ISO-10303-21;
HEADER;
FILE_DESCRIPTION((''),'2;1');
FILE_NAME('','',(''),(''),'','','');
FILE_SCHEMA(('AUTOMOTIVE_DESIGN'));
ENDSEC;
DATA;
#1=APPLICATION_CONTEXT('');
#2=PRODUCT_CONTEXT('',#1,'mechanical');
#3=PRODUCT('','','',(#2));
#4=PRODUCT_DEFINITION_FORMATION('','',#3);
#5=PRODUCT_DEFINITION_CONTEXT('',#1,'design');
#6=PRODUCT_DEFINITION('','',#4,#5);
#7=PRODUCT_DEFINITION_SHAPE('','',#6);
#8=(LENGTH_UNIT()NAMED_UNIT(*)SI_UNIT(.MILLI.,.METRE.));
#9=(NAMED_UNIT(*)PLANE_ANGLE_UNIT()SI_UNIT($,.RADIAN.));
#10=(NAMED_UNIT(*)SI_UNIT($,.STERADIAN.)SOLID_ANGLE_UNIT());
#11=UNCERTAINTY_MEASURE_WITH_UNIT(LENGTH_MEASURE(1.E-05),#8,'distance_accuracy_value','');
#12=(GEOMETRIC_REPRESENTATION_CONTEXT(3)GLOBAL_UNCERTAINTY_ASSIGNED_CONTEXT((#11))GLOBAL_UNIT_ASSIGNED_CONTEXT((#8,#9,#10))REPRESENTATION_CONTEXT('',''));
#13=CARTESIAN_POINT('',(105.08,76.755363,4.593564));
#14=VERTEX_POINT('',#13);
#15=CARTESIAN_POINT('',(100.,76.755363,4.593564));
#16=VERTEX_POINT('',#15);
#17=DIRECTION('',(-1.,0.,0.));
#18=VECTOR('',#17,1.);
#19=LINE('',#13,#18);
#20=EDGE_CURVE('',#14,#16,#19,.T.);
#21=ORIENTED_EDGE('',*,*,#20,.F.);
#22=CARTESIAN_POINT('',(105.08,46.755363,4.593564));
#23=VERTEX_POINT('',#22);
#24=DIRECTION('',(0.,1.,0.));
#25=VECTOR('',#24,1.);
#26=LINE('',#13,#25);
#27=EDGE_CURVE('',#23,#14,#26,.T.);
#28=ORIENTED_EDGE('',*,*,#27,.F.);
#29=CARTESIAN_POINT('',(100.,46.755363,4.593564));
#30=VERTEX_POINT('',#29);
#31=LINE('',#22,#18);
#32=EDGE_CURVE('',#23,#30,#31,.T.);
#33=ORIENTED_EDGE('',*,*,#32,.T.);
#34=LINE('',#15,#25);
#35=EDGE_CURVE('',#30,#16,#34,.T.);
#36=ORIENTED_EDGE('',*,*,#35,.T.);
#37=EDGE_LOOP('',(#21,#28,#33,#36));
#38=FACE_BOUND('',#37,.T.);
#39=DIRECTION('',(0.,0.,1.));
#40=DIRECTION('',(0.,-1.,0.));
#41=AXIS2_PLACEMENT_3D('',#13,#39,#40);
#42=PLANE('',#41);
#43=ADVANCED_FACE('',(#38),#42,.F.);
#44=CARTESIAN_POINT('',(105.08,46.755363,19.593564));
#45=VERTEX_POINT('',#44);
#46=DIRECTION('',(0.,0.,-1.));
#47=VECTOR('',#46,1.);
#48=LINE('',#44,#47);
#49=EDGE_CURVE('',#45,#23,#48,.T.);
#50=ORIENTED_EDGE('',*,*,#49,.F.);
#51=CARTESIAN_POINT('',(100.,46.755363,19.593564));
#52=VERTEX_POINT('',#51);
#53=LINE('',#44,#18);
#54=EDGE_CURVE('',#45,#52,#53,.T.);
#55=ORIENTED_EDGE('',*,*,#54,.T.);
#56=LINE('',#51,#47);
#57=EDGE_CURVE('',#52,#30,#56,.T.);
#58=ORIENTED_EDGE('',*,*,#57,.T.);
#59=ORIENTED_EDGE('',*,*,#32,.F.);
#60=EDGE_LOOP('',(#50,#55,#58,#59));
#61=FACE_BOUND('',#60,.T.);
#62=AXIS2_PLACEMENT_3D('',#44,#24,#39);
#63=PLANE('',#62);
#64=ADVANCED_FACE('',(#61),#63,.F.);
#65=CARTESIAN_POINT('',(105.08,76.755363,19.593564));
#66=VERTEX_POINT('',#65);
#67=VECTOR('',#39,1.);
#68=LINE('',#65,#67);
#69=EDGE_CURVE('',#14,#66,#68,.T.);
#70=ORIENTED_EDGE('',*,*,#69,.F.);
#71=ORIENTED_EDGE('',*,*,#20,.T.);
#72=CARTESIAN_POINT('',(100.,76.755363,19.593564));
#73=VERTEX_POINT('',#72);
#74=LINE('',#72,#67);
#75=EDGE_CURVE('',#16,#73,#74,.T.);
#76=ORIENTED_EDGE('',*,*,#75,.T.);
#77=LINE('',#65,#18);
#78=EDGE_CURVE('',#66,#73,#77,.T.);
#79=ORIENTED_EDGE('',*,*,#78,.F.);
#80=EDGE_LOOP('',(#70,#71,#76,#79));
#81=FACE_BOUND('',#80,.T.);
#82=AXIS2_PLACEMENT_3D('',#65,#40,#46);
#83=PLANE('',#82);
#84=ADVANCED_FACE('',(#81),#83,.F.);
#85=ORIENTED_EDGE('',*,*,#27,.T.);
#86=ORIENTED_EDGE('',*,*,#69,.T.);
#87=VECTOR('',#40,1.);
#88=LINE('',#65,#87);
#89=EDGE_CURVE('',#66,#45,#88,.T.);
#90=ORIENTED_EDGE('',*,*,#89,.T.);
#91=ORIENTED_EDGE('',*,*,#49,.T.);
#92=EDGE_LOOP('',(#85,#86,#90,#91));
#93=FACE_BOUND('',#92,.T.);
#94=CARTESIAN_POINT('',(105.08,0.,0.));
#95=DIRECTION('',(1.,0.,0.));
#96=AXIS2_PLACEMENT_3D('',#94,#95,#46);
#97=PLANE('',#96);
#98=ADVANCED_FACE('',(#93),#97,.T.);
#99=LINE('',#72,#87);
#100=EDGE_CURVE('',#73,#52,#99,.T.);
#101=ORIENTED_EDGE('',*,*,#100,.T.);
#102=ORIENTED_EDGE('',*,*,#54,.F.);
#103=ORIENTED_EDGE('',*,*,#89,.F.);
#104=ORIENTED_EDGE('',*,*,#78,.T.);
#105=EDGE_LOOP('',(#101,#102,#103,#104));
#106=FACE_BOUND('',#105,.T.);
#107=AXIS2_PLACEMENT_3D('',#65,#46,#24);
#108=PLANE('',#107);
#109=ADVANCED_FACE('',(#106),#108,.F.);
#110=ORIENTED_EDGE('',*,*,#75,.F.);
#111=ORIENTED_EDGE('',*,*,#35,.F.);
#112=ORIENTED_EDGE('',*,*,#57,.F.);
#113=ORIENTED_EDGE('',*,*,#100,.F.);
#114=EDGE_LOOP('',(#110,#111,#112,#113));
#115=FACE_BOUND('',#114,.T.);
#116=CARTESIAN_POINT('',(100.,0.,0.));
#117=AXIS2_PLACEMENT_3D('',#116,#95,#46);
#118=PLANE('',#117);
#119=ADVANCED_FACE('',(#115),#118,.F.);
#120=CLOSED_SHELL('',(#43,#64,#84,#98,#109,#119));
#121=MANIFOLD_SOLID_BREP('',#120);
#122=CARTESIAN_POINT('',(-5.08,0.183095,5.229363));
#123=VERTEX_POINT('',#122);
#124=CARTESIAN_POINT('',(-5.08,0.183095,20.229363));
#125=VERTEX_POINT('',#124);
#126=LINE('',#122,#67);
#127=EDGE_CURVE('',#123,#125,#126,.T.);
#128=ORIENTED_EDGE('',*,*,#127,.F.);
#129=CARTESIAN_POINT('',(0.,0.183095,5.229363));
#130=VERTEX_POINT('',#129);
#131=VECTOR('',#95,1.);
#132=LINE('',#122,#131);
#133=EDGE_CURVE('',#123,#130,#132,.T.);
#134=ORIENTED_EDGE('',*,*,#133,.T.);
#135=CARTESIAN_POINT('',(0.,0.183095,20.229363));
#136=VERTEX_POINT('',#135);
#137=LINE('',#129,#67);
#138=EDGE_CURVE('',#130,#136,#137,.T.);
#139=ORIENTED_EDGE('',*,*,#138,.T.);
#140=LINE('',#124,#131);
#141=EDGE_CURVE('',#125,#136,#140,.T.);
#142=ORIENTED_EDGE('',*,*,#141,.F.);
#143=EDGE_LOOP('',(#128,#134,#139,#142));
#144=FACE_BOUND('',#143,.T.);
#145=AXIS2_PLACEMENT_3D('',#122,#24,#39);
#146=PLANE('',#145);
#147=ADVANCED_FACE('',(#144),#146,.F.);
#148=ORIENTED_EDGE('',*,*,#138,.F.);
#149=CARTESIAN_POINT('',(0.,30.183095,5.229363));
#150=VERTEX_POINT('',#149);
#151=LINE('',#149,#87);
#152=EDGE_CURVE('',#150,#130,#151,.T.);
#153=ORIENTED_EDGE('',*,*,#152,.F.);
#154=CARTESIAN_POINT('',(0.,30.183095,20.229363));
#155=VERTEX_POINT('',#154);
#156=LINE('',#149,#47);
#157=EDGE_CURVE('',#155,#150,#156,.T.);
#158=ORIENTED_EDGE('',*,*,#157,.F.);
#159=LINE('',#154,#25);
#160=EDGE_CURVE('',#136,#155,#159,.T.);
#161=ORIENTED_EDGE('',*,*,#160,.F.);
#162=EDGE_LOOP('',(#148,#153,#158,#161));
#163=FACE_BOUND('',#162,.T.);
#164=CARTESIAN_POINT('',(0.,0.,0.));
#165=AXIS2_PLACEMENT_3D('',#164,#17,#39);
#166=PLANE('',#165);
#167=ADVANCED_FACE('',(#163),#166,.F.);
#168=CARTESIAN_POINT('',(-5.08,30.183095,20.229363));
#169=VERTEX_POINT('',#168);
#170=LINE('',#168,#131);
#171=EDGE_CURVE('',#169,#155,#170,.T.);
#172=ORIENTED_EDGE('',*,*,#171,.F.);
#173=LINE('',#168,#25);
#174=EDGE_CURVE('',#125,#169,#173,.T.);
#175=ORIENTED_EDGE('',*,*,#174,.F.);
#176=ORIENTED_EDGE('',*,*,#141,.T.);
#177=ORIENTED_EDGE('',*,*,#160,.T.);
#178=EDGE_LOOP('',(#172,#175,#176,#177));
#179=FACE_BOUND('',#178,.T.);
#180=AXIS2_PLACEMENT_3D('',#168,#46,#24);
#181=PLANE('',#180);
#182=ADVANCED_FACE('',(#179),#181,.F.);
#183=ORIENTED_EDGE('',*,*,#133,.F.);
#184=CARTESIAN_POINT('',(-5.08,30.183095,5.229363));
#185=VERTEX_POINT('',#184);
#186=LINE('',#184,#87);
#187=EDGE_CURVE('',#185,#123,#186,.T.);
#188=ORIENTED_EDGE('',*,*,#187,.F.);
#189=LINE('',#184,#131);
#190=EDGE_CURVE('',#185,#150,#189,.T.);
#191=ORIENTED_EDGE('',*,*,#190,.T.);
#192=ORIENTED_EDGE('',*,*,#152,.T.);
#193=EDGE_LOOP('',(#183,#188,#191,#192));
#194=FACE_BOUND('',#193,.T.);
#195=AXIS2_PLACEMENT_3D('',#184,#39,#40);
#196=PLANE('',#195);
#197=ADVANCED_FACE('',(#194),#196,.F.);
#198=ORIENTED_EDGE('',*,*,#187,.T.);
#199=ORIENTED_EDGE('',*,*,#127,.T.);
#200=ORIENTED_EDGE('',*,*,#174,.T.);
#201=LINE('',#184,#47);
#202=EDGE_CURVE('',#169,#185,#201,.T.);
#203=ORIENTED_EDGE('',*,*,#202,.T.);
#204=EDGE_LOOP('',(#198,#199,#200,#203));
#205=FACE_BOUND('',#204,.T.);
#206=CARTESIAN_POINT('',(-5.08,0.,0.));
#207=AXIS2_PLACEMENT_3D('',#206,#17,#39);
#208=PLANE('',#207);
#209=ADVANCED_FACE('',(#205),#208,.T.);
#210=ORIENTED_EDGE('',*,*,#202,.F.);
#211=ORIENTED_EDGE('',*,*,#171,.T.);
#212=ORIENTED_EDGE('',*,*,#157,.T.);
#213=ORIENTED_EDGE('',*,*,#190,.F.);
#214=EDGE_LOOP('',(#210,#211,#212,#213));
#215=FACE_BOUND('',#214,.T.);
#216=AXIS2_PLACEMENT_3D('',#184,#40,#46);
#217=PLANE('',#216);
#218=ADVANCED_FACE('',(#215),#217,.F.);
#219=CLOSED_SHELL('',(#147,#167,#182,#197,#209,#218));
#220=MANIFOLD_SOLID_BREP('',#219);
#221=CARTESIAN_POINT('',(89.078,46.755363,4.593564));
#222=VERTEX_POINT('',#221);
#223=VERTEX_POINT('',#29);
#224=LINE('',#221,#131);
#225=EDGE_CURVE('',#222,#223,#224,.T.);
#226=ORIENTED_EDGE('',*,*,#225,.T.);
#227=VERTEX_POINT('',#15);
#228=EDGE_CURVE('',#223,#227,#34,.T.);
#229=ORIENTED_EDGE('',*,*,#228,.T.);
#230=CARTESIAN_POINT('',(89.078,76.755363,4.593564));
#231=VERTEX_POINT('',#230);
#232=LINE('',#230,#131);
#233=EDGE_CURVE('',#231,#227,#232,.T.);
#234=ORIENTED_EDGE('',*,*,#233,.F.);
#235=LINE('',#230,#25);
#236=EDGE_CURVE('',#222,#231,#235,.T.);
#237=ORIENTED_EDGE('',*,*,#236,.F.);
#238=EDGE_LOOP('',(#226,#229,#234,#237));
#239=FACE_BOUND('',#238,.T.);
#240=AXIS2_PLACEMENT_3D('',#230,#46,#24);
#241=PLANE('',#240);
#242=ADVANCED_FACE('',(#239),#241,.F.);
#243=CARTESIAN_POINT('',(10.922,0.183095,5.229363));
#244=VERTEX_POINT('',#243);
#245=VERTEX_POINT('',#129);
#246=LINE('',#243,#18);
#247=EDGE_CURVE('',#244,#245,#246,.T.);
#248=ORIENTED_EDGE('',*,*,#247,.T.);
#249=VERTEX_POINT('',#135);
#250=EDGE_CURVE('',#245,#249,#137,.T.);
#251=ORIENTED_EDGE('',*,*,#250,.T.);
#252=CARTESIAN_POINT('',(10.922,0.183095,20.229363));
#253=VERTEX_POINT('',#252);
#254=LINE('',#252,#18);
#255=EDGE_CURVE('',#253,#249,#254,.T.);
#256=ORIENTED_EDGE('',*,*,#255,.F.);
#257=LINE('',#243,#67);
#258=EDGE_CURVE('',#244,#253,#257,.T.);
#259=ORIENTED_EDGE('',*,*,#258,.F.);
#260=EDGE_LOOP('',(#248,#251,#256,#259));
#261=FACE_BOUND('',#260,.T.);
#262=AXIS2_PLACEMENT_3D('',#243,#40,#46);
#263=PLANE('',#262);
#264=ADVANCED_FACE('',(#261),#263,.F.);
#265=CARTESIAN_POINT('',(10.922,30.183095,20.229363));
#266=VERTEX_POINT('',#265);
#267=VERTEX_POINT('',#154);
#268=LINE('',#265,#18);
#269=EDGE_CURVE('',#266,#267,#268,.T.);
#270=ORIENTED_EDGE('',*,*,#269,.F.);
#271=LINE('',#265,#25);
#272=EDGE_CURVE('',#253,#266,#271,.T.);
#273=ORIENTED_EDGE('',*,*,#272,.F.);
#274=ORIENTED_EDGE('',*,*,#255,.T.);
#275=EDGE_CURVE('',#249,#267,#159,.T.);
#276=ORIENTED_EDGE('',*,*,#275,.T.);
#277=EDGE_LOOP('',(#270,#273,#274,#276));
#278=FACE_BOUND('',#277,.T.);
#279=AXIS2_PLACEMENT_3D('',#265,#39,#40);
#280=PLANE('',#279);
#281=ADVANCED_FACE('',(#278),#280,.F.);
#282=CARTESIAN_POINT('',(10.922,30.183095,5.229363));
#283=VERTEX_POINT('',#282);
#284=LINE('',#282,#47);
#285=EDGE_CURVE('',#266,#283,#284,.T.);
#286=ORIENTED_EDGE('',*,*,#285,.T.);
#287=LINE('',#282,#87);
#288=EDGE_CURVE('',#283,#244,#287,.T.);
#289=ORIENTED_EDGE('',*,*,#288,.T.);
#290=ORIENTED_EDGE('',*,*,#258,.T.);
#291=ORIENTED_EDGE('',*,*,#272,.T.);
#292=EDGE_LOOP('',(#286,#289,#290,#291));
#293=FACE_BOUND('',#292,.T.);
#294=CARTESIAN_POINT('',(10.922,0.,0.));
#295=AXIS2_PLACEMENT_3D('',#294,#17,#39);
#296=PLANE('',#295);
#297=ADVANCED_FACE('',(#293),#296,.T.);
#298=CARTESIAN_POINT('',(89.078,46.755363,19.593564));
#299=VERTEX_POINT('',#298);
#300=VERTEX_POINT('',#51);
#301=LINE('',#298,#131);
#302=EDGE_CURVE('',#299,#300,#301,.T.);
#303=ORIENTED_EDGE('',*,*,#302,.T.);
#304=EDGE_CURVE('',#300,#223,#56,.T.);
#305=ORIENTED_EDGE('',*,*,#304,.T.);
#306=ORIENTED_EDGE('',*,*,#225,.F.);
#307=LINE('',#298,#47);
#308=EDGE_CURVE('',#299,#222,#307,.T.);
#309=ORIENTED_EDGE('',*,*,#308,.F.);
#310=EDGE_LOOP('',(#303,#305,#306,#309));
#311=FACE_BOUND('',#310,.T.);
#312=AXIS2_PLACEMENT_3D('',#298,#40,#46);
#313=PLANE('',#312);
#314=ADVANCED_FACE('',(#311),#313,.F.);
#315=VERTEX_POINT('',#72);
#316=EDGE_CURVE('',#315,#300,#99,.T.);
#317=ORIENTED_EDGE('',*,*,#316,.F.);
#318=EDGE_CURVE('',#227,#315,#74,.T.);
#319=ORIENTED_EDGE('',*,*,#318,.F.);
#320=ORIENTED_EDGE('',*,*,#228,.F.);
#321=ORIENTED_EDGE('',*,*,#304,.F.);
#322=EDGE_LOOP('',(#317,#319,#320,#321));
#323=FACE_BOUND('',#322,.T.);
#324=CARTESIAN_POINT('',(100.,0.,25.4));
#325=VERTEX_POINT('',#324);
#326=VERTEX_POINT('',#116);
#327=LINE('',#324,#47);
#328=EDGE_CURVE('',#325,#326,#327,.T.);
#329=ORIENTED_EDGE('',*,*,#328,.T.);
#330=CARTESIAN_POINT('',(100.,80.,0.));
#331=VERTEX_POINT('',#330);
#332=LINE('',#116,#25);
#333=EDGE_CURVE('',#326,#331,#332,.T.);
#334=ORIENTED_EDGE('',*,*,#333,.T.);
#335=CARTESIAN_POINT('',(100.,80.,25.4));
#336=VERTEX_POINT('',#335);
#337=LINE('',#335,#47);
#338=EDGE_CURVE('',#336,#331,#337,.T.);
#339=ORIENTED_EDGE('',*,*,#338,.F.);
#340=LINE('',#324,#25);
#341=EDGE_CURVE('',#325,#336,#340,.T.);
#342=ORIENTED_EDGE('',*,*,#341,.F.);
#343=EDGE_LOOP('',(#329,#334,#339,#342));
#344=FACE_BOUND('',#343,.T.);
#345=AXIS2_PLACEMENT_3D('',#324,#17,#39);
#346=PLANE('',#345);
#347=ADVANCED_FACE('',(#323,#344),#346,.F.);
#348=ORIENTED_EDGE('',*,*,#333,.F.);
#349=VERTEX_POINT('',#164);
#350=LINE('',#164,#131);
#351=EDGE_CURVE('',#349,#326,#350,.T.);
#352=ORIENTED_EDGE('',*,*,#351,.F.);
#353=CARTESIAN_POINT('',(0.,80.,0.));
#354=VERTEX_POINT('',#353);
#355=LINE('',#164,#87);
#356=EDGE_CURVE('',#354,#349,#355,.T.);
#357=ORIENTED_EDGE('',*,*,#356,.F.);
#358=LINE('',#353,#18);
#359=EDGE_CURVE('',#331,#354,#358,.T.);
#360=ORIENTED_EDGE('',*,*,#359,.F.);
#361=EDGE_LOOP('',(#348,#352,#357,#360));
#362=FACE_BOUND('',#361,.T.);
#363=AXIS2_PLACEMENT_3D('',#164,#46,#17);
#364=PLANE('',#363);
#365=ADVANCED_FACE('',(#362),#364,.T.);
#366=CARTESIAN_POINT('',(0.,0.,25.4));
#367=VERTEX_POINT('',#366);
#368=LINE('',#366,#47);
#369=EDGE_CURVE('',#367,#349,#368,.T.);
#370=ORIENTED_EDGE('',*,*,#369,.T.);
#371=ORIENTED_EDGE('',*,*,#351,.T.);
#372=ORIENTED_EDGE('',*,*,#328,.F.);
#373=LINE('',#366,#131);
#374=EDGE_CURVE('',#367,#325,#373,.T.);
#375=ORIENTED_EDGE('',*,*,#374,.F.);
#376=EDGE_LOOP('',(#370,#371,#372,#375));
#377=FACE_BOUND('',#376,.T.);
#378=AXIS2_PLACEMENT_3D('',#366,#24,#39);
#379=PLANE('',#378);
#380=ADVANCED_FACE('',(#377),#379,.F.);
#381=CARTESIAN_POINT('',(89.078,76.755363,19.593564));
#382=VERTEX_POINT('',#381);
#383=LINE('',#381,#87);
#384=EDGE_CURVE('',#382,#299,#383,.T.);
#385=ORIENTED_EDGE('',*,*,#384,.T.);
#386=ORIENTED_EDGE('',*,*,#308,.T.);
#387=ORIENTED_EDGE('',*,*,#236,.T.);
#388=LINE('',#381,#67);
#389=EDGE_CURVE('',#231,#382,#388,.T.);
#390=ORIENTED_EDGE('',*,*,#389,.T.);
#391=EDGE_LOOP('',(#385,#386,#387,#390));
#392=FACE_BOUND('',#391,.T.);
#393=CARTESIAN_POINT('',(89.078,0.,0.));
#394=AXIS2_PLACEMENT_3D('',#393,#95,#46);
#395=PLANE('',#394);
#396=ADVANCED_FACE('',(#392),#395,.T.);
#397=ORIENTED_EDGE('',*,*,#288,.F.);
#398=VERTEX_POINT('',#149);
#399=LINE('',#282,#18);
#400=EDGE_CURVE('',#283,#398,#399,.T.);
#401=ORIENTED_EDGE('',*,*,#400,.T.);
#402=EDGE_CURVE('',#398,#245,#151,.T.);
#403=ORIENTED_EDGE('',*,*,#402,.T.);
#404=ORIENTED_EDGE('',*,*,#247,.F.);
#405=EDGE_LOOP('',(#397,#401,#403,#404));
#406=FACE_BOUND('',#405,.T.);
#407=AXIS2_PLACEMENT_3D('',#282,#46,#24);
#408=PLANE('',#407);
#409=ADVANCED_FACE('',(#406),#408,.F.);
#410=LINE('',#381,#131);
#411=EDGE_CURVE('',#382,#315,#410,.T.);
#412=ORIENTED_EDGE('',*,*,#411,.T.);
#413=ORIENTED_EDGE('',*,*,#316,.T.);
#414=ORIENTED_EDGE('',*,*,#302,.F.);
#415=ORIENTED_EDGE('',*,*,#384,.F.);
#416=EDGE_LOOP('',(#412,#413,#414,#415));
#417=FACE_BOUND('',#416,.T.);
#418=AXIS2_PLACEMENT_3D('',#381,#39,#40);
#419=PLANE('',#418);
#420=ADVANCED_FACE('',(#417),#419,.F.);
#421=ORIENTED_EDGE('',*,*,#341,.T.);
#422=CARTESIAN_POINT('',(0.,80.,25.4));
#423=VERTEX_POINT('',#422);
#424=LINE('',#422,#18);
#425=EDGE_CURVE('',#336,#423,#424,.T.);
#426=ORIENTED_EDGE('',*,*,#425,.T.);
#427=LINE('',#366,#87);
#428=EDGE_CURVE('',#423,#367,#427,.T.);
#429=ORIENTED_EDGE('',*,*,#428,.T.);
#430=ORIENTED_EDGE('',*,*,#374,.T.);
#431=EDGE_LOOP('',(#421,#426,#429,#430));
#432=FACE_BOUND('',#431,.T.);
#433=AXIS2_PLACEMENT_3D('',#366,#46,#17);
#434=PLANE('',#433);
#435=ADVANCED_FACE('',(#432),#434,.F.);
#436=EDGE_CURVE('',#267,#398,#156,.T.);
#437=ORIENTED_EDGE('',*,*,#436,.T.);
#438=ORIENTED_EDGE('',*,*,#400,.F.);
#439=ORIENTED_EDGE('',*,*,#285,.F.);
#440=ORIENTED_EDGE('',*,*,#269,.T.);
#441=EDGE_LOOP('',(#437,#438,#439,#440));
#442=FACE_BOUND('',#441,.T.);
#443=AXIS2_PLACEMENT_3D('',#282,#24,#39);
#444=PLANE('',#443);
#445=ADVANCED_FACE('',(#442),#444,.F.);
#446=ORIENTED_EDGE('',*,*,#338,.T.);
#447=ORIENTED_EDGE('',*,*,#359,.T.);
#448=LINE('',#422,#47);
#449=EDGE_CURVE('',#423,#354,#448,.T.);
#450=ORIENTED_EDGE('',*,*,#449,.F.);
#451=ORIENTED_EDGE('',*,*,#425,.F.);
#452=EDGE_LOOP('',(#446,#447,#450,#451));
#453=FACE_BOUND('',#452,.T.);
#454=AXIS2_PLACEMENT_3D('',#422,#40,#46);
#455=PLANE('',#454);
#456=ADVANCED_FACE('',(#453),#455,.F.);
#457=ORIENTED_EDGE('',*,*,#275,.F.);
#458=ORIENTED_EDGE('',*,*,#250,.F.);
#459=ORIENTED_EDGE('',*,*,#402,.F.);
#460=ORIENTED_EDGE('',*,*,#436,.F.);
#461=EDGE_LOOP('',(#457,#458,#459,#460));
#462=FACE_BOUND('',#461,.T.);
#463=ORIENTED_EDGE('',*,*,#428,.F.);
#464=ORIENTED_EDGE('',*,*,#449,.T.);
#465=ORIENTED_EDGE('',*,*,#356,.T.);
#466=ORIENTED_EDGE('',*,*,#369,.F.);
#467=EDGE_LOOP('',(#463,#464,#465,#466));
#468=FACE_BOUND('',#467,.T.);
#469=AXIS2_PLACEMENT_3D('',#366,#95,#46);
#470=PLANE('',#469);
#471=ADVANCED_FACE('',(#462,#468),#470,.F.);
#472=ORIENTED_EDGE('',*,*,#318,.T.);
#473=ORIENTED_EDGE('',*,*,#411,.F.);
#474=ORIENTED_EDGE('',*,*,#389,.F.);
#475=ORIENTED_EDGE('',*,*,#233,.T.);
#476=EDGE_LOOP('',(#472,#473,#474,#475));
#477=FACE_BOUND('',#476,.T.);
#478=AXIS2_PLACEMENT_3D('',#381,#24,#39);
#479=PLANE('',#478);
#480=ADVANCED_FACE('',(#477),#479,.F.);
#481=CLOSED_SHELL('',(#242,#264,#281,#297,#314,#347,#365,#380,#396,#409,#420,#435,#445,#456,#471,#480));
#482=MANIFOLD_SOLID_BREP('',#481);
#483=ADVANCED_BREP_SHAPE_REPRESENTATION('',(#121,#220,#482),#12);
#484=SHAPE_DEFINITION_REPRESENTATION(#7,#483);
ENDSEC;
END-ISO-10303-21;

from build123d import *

# Parameters (mm, degrees)
SKETCH2_W           = 100
SKETCH2_H           = 80
BOSS_EXTRUDE2_DEPTH = 25.4
SKETCH3_W           = 15
SKETCH3_H           = 30
CUT_EXTRUDE1_DEPTH  = 10.922
SKETCH4_W           = 15
SKETCH4_H           = 30
CUT_EXTRUDE2_DEPTH  = 10.922
SKETCH3_2_W         = 15
SKETCH3_2_H         = 30
BOSS_EXTRUDE3_DEPTH = 5.08
SKETCH4_2_W         = 15
SKETCH4_2_H         = 30
BOSS_EXTRUDE4_DEPTH = 5.08


with BuildPart() as part:
    # Sketch2 → Boss-Extrude2 (new body)
    with BuildSketch(Plane.XY):
        with Locations((50, 40)):
            Rectangle(SKETCH2_W, SKETCH2_H)
    extrude(amount=BOSS_EXTRUDE2_DEPTH)

    # Sketch3 → Cut-Extrude1 (cut)
    with BuildSketch(Plane(origin=(100, 0, 0), x_dir=(0, 0, -1), z_dir=(1, 0, 0))):
        with Locations((-12.093564274, 61.755363105)):
            Rectangle(SKETCH3_W, SKETCH3_H)
    extrude(amount=-CUT_EXTRUDE1_DEPTH, mode=Mode.SUBTRACT)

    # Sketch4 → Cut-Extrude2 (cut)
    with BuildSketch(Plane.ZY):
        with Locations((12.729363154, 15.183095109)):
            Rectangle(SKETCH4_W, SKETCH4_H)
    extrude(amount=-CUT_EXTRUDE2_DEPTH, mode=Mode.SUBTRACT)


with BuildPart() as body_2:
    # Sketch3<2> → Boss-Extrude3 (new body)
    with BuildSketch(Plane(origin=(100, 0, 0), x_dir=(0, 0, -1), z_dir=(1, 0, 0))):
        with Locations((-12.093564274, 61.755363105)):
            Rectangle(SKETCH3_2_W, SKETCH3_2_H)
    extrude(amount=BOSS_EXTRUDE3_DEPTH)


with BuildPart() as body_3:
    # Sketch4<2> → Boss-Extrude4 (new body)
    with BuildSketch(Plane.ZY):
        with Locations((12.729363154, 15.183095109)):
            Rectangle(SKETCH4_2_W, SKETCH4_2_H)
    extrude(amount=BOSS_EXTRUDE4_DEPTH)


solid = Compound([part.part, body_2.part, body_3.part])
